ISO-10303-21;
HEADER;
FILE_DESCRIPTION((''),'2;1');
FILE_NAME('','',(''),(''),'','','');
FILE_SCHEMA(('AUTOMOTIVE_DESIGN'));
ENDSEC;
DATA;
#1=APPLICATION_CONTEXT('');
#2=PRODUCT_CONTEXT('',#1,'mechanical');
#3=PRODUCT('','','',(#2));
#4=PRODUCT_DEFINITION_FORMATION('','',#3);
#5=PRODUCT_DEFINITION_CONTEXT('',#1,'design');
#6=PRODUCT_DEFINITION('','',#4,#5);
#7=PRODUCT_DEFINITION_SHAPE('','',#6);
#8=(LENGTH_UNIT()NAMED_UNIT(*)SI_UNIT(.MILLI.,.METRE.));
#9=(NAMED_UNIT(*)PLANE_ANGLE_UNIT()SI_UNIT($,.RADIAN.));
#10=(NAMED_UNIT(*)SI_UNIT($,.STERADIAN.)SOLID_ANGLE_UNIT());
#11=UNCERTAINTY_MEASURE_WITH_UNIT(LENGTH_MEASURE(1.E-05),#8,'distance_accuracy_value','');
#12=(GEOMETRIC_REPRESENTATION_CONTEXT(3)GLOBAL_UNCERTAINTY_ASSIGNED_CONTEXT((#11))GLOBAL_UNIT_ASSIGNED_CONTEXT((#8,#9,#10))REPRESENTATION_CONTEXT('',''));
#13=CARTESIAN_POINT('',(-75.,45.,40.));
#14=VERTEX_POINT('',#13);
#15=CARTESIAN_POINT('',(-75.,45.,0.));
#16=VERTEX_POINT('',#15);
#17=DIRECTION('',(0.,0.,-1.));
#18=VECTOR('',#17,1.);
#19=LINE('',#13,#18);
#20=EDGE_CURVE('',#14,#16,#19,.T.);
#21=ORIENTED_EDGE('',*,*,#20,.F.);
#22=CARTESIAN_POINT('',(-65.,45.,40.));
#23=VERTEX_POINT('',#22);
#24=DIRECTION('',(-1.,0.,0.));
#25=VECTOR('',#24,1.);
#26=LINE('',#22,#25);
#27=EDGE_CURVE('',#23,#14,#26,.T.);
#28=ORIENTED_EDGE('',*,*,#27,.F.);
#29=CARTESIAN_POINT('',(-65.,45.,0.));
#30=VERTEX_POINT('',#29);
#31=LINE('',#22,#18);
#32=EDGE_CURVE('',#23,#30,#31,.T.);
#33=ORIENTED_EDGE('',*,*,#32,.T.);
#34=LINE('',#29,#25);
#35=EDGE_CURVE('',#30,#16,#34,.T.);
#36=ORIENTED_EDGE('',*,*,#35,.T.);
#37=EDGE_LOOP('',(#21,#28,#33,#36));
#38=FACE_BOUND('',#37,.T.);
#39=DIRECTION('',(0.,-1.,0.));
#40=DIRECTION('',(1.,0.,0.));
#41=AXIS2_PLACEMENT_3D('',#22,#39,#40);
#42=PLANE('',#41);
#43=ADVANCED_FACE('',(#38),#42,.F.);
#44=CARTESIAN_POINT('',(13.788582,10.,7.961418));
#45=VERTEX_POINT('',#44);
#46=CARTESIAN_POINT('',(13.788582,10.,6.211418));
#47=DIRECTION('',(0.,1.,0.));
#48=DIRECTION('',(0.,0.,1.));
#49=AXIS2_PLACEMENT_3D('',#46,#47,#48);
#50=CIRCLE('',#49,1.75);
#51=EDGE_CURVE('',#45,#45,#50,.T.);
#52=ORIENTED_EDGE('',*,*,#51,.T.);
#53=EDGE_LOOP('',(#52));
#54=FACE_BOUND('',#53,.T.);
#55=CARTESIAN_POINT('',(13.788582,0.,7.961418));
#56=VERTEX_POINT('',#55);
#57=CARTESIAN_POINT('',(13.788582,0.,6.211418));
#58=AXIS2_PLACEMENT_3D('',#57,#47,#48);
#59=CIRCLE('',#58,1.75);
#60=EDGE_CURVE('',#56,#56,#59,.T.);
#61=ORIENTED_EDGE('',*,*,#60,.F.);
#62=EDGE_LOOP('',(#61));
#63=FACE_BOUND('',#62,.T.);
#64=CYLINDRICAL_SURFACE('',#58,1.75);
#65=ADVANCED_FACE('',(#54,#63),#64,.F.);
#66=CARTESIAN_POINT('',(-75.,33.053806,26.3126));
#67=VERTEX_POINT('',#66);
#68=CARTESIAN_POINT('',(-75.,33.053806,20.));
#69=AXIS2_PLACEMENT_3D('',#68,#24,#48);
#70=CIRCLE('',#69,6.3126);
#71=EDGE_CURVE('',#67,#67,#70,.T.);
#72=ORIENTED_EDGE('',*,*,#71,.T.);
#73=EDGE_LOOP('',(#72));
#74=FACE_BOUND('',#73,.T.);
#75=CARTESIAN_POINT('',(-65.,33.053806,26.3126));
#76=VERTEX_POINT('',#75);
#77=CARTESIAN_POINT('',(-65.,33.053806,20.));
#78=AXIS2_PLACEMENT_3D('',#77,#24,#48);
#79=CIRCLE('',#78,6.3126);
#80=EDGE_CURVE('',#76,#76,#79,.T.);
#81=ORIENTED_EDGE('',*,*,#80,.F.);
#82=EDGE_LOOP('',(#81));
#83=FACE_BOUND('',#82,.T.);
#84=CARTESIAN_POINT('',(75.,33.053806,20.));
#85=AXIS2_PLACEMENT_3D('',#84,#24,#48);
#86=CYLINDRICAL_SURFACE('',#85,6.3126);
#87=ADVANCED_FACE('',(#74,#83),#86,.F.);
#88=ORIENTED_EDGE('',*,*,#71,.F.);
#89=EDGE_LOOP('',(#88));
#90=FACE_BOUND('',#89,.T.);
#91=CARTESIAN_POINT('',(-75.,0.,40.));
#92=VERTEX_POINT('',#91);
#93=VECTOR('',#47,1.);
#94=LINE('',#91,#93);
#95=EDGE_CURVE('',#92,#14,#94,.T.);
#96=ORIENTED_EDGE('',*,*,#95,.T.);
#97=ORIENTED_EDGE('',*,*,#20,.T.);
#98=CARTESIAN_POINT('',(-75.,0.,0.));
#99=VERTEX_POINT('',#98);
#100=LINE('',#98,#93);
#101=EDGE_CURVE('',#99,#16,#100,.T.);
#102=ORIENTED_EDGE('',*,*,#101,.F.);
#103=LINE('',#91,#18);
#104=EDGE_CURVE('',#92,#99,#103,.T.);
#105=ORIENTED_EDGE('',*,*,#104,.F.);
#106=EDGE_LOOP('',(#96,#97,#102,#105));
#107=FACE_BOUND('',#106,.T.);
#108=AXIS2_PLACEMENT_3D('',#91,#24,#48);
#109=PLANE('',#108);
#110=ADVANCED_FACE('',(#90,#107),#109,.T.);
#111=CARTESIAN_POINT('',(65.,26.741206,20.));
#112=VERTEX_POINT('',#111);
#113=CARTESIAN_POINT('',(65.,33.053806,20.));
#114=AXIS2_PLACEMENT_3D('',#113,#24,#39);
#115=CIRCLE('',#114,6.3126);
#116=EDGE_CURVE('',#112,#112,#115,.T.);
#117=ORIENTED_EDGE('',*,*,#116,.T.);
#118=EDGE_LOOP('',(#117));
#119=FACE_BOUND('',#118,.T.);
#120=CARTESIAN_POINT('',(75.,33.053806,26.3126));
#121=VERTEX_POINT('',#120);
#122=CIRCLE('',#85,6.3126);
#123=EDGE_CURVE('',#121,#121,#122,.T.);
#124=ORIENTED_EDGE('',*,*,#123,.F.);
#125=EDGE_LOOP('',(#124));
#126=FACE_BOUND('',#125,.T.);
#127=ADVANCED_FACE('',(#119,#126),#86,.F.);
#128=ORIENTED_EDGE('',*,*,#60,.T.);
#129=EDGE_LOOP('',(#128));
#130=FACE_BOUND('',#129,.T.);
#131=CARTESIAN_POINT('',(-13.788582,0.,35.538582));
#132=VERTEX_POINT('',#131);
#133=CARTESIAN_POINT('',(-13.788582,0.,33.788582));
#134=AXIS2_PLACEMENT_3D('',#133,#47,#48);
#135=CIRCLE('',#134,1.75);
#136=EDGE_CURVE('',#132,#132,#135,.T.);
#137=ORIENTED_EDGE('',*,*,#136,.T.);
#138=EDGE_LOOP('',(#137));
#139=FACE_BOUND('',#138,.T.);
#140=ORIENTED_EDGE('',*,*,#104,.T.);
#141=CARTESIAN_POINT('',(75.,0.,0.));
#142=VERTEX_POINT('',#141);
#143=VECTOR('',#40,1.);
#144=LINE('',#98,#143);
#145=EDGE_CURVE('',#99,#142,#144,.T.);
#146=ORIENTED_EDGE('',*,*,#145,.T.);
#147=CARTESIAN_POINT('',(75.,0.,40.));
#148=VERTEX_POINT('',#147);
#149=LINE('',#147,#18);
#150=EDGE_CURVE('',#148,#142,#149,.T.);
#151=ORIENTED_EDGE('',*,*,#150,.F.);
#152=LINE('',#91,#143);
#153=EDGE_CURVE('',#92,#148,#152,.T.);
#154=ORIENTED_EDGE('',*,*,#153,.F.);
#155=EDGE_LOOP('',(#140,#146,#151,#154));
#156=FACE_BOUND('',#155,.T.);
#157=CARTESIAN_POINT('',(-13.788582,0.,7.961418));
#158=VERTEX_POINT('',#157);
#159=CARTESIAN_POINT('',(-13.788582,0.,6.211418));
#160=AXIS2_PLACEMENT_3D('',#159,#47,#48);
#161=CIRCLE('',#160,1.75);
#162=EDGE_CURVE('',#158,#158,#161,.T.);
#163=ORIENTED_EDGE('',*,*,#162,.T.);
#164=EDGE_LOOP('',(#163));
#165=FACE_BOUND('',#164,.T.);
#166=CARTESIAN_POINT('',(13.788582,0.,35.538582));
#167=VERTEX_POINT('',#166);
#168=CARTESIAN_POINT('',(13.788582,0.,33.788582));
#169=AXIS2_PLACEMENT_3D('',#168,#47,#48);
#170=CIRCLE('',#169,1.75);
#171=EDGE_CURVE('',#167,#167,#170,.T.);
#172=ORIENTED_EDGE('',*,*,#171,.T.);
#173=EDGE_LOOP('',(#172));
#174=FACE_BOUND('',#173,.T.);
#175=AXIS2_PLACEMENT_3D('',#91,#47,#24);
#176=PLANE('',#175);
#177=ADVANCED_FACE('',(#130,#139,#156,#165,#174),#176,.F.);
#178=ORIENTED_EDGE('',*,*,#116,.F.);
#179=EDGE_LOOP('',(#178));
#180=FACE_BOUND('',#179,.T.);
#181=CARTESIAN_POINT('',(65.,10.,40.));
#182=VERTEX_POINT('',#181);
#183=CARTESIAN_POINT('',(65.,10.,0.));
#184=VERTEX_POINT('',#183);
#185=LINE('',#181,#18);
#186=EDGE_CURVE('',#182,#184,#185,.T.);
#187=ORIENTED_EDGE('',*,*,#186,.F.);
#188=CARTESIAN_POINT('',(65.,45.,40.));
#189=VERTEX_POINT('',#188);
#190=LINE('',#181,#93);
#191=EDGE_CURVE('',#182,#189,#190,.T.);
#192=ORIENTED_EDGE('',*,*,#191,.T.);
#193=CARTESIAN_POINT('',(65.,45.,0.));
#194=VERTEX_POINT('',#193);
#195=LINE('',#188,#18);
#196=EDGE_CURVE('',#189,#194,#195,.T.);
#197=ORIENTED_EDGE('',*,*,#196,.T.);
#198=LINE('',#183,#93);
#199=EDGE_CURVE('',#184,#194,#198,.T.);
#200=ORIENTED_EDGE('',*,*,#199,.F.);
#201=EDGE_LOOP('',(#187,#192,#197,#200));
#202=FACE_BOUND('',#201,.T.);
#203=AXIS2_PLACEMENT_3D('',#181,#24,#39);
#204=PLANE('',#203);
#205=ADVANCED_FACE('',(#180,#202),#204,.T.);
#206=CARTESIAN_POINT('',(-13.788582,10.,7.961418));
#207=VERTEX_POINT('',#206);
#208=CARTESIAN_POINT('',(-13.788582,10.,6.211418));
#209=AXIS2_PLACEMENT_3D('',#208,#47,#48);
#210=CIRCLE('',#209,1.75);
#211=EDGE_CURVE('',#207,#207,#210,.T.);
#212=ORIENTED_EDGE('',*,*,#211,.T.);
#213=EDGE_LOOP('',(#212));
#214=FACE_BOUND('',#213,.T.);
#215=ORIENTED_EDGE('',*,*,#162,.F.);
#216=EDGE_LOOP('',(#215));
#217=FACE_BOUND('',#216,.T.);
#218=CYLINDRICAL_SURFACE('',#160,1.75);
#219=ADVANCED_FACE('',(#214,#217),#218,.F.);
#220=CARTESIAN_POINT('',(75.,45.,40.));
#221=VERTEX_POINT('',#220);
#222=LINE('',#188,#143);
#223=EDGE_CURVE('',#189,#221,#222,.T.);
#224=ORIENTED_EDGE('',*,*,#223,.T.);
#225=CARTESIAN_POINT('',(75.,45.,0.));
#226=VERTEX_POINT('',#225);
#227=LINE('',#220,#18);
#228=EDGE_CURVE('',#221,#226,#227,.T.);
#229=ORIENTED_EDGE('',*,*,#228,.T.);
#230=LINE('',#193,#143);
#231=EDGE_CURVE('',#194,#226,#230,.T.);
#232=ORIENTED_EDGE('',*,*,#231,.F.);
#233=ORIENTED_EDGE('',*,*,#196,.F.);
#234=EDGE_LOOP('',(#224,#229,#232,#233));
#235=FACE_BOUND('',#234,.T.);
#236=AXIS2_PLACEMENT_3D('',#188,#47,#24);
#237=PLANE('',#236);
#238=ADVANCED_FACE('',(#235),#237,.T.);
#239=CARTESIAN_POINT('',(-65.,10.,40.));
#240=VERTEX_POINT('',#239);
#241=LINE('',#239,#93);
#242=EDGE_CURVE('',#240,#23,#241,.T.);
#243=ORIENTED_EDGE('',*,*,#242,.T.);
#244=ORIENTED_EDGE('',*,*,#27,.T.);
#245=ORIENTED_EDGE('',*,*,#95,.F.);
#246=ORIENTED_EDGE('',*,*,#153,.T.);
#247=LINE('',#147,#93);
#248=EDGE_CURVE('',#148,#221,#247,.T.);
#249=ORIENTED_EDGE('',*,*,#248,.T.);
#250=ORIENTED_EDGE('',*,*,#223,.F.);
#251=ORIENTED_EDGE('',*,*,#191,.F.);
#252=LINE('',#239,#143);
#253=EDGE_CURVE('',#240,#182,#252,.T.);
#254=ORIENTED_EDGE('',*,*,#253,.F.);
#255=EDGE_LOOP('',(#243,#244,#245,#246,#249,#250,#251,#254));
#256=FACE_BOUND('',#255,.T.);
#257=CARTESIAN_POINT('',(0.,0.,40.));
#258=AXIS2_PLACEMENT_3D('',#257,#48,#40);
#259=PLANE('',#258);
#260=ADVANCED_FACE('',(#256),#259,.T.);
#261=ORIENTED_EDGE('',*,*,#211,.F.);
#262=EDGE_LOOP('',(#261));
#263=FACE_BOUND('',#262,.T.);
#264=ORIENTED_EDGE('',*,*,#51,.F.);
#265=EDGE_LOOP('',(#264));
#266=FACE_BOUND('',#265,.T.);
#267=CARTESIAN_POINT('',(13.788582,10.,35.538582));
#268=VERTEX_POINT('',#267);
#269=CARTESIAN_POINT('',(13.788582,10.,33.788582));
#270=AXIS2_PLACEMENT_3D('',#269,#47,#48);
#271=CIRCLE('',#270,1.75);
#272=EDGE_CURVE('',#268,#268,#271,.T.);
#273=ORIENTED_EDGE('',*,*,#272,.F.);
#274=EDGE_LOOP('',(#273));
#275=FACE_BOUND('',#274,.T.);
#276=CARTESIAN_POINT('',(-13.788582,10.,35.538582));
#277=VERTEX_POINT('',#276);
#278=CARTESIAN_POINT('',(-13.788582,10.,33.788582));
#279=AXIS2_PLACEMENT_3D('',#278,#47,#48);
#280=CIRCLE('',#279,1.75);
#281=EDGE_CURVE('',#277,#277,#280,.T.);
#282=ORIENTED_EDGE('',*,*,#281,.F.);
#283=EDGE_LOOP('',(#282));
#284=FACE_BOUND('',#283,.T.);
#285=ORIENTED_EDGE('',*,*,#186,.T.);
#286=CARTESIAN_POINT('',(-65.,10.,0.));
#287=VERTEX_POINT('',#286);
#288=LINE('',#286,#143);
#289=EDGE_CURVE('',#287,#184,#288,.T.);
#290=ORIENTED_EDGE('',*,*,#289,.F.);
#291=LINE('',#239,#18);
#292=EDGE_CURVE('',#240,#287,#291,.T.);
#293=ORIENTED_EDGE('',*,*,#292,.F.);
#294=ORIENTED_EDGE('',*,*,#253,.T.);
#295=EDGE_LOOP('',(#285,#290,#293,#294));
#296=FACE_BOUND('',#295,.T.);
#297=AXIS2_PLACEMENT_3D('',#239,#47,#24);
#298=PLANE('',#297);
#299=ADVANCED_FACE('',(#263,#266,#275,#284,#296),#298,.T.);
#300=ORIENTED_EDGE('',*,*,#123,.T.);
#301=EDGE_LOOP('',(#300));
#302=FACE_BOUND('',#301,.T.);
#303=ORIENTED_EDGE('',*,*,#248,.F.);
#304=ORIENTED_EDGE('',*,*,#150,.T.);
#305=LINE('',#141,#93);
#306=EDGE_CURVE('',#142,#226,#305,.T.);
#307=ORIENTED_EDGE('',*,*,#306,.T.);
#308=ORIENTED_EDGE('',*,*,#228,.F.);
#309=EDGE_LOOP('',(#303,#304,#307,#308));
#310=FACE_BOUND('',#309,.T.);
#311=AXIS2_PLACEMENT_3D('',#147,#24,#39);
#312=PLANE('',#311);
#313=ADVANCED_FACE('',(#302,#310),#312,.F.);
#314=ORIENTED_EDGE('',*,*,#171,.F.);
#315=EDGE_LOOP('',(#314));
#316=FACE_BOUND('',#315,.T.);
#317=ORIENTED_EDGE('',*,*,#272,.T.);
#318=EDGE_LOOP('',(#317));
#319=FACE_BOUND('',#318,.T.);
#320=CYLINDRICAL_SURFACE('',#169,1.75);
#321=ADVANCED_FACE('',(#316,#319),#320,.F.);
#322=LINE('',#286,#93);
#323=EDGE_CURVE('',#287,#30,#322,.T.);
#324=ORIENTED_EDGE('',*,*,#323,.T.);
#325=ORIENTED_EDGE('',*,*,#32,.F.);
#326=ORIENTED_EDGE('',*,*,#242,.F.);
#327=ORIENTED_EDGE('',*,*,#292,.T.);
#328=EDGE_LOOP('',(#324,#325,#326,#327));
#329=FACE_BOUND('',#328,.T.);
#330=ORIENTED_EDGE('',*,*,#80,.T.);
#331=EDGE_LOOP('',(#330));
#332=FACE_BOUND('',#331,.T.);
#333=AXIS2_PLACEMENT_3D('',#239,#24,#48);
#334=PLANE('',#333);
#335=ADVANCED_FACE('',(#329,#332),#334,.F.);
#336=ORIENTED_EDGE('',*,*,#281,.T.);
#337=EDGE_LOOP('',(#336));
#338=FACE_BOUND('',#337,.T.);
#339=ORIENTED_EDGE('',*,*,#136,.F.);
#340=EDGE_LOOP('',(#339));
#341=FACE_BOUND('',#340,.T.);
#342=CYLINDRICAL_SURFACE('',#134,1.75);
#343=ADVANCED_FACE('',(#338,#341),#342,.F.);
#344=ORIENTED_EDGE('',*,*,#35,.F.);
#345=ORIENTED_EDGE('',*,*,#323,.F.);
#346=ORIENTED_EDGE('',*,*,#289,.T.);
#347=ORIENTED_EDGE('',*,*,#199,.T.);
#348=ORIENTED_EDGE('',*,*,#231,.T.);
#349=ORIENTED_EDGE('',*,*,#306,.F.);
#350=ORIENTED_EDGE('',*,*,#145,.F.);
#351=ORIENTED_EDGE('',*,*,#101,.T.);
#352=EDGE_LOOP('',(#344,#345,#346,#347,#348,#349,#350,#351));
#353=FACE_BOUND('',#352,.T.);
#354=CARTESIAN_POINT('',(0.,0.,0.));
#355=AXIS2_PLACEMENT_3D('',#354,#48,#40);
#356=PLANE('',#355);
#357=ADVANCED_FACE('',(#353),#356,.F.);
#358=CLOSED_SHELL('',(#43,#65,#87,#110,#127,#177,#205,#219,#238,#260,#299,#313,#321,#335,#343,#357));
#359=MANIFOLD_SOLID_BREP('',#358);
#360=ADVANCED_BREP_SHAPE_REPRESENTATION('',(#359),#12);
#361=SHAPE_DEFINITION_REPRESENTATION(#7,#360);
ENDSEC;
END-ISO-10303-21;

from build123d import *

# Parameters (mm, degrees)
BOSS_EXTRU_1_DEPTH      = 40
ESQUISSE2_R             = 1.75
ENL_V_MAT_EXTRU_1_DEPTH = 92.923881554
ESQUISSE5_R             = 6.3126
ENL_V_MAT_EXTRU_2_DEPTH = 162.632298752


with BuildPart() as part:
    # Esquisse1 → Boss.-Extru.1 (new body)
    with BuildSketch(Plane.XY):
        Polygon((-65, 45), (-75, 45), (-75, 0), (75, 0), (75, 45), (65, 45), (65, 10), (-65, 10), align=None)
    extrude(amount=BOSS_EXTRU_1_DEPTH)

    # Esquisse2 → Enlèv. mat.-Extru.1 (cut, through all)
    with BuildSketch(Plane(origin=(0, 10, 0), x_dir=(1, 0, 0), z_dir=(0, 1, 0))):
        with Locations(Location((-13.788582233, -6.211417767, 0), (0, 0, 270))):
            Circle(ESQUISSE2_R)
        with Locations(Location((13.788582233, -6.211417767, 0), (0, 0, 270))):
            Circle(ESQUISSE2_R)
        with Locations(Location((13.788582233, -33.788582233, 0), (0, 0, 270))):
            Circle(ESQUISSE2_R)
        with Locations(Location((-13.788582233, -33.788582233, 0), (0, 0, 270))):
            Circle(ESQUISSE2_R)
    extrude(amount=-ENL_V_MAT_EXTRU_1_DEPTH, mode=Mode.SUBTRACT)

    # Esquisse5 → Enlèv. mat.-Extru.2 (cut, through all)
    with BuildSketch(Plane.ZY.offset(75)):
        with Locations((20, 33.0538058)):
            Circle(ESQUISSE5_R)
    extrude(amount=-ENL_V_MAT_EXTRU_2_DEPTH, mode=Mode.SUBTRACT)


solid = part.part
